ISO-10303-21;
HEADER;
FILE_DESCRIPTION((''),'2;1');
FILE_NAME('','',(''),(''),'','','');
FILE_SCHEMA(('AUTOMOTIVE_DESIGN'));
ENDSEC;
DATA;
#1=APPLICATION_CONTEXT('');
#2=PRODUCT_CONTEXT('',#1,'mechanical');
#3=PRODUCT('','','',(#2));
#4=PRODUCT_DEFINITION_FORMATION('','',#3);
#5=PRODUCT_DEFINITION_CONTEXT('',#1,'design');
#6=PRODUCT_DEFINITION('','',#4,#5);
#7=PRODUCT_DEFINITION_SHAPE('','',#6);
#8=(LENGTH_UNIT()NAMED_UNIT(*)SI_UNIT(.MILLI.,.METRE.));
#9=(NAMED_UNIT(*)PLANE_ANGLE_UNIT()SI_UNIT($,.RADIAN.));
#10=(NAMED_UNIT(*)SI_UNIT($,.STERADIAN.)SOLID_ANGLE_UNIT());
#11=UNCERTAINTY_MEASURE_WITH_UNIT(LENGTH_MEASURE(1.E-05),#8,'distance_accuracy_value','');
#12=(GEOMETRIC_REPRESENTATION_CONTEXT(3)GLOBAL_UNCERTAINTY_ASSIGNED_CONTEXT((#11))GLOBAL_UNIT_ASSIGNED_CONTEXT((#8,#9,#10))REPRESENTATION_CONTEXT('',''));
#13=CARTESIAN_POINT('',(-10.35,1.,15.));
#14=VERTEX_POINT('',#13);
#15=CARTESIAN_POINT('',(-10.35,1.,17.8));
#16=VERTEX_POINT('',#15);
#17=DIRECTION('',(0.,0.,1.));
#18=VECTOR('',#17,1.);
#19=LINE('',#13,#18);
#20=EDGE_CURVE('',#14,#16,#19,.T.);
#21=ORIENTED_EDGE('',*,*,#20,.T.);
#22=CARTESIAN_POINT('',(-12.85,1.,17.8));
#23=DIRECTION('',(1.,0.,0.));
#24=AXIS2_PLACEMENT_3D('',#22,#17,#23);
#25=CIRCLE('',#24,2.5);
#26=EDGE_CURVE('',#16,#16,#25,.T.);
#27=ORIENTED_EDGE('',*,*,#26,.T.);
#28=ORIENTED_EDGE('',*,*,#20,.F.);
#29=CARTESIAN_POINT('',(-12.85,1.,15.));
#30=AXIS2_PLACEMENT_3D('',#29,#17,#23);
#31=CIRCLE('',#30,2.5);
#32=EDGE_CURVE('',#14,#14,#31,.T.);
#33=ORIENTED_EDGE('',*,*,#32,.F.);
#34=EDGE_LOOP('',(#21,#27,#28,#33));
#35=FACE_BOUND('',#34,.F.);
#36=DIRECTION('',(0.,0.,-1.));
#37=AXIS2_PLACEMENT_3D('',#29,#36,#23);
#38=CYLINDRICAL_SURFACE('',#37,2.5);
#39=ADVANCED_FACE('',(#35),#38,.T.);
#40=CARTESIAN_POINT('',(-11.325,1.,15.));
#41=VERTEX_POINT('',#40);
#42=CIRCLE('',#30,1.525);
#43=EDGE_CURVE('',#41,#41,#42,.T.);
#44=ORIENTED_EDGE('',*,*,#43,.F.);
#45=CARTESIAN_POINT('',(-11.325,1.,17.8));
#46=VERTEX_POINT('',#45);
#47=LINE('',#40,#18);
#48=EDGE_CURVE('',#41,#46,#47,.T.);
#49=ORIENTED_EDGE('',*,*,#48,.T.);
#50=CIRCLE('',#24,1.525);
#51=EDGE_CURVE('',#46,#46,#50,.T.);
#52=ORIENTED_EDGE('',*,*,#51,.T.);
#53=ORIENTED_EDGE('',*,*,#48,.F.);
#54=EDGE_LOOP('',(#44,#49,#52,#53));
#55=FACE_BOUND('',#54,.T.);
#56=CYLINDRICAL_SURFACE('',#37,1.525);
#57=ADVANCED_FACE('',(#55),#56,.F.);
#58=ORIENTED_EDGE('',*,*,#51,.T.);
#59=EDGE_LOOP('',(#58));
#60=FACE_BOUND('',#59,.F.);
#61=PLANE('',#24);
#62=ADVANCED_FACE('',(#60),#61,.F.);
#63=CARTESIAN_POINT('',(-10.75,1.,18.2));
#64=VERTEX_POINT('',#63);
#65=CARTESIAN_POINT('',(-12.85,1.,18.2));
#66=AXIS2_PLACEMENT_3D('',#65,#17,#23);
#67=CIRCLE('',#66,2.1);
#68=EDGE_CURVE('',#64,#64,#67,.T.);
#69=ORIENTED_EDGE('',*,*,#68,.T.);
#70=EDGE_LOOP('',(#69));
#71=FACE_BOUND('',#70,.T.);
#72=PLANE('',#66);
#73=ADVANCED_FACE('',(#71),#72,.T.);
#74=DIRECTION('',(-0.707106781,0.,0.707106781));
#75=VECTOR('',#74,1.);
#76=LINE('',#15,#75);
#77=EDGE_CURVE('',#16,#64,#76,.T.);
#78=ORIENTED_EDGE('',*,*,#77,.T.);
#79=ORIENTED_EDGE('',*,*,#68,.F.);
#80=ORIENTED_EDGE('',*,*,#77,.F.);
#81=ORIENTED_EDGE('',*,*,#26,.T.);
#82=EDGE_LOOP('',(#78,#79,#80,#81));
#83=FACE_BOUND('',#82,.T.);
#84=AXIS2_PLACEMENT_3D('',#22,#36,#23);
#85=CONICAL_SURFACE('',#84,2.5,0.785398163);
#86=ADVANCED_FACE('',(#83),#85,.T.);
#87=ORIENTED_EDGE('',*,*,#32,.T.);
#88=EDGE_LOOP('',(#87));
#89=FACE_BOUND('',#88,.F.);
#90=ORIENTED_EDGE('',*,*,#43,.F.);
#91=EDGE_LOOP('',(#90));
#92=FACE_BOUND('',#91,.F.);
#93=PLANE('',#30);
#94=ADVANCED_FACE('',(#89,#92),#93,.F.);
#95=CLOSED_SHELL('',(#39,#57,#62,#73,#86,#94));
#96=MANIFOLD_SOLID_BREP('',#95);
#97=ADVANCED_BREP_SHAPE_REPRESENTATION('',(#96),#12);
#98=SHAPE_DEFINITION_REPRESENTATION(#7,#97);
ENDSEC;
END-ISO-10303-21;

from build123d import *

# Parameters (mm, degrees)
SKETCH023_R     = 2.5
PAD016_DEPTH    = 3.2
SKETCH024_R     = 1.525
POCKET005_DEPTH = 2.8
CHAMFER003_SIZE = 0.4


with BuildPart() as part:
    # Sketch023 → Pad016 (new body)
    with BuildSketch(Plane.XY):
        with Locations((-12.85, 1)):
            Circle(SKETCH023_R)
    extrude(amount=PAD016_DEPTH)

    # Sketch024 → Pocket005 (cut)
    with BuildSketch(Plane.XY):
        with Locations((-12.85, 1)):
            Circle(SKETCH024_R)
    extrude(amount=POCKET005_DEPTH, mode=Mode.SUBTRACT)

    # Chamfer003
    chamfer003_edges = [part.edges().sort_by_distance(p)[0] for p in [
        (-15.35, 1, 3.2),
    ]]
    chamfer(chamfer003_edges, length=CHAMFER003_SIZE)


with BuildPart() as part_1:
    # Body006 placement: moved
    add(part.part.moved(Location((0, 0, 15))))


solid = part_1.part
